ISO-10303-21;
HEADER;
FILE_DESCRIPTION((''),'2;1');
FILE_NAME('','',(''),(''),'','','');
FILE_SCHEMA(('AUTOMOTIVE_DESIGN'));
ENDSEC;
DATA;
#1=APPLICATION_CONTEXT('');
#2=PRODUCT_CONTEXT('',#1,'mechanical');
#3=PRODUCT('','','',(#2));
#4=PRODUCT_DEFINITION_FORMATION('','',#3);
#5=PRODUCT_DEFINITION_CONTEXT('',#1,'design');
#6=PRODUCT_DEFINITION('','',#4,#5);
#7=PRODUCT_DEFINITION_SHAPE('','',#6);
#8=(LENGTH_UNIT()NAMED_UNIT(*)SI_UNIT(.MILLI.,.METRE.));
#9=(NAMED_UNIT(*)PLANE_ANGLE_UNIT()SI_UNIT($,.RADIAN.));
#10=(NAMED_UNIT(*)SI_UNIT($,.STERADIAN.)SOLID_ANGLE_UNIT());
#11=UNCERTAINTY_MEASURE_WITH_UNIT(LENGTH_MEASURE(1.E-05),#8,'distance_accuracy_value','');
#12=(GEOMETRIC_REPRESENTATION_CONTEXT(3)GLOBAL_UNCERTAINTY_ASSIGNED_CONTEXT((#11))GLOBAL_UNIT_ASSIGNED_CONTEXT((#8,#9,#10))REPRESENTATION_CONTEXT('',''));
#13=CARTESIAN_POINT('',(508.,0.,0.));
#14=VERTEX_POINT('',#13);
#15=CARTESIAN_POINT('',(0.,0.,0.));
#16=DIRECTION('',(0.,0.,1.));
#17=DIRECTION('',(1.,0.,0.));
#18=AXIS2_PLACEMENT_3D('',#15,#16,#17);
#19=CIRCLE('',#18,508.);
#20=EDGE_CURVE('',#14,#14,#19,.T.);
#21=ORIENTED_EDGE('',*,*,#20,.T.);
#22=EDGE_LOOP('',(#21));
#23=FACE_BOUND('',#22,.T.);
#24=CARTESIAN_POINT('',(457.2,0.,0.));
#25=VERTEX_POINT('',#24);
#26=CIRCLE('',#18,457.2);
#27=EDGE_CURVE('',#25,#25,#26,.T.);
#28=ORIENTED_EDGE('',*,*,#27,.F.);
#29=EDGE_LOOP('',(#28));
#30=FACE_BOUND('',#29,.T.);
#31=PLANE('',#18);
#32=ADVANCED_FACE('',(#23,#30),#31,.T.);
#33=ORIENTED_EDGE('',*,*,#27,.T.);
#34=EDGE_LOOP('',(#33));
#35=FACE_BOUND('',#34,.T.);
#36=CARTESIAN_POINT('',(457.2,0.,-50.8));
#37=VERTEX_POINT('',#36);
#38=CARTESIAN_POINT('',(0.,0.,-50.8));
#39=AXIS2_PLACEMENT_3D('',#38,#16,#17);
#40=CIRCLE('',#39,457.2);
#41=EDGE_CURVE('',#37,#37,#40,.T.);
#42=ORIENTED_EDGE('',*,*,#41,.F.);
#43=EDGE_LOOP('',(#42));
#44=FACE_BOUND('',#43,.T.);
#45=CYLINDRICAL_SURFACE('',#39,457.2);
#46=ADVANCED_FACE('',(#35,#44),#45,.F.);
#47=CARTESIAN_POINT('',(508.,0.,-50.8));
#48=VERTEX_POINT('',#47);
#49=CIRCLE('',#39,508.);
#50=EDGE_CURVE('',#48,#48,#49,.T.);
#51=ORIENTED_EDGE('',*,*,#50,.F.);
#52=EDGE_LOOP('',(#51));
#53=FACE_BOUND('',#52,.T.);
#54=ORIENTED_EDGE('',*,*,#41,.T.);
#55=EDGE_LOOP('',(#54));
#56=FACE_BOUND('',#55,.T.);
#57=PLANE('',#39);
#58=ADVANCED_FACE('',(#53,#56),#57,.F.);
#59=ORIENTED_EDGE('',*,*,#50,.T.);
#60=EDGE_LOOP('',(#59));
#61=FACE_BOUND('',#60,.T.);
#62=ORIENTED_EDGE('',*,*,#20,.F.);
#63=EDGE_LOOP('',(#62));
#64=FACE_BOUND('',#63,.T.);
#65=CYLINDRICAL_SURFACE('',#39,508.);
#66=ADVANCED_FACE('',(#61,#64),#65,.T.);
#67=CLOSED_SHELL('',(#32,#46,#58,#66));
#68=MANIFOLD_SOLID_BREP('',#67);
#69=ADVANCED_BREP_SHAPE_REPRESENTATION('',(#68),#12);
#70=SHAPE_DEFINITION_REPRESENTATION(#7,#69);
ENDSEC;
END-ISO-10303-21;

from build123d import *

# Parameters (mm, degrees)
SKETCH1_R      = 508
SKETCH1_R_2    = 457.2
EXTRUDE1_DEPTH = 50.8


with BuildPart() as part:
    # Sketch1 → Extrude1 (new body)
    with BuildSketch(Plane.XY):
        Circle(SKETCH1_R)
        Circle(SKETCH1_R_2, mode=Mode.SUBTRACT)
    extrude(amount=-EXTRUDE1_DEPTH)


solid = part.part
